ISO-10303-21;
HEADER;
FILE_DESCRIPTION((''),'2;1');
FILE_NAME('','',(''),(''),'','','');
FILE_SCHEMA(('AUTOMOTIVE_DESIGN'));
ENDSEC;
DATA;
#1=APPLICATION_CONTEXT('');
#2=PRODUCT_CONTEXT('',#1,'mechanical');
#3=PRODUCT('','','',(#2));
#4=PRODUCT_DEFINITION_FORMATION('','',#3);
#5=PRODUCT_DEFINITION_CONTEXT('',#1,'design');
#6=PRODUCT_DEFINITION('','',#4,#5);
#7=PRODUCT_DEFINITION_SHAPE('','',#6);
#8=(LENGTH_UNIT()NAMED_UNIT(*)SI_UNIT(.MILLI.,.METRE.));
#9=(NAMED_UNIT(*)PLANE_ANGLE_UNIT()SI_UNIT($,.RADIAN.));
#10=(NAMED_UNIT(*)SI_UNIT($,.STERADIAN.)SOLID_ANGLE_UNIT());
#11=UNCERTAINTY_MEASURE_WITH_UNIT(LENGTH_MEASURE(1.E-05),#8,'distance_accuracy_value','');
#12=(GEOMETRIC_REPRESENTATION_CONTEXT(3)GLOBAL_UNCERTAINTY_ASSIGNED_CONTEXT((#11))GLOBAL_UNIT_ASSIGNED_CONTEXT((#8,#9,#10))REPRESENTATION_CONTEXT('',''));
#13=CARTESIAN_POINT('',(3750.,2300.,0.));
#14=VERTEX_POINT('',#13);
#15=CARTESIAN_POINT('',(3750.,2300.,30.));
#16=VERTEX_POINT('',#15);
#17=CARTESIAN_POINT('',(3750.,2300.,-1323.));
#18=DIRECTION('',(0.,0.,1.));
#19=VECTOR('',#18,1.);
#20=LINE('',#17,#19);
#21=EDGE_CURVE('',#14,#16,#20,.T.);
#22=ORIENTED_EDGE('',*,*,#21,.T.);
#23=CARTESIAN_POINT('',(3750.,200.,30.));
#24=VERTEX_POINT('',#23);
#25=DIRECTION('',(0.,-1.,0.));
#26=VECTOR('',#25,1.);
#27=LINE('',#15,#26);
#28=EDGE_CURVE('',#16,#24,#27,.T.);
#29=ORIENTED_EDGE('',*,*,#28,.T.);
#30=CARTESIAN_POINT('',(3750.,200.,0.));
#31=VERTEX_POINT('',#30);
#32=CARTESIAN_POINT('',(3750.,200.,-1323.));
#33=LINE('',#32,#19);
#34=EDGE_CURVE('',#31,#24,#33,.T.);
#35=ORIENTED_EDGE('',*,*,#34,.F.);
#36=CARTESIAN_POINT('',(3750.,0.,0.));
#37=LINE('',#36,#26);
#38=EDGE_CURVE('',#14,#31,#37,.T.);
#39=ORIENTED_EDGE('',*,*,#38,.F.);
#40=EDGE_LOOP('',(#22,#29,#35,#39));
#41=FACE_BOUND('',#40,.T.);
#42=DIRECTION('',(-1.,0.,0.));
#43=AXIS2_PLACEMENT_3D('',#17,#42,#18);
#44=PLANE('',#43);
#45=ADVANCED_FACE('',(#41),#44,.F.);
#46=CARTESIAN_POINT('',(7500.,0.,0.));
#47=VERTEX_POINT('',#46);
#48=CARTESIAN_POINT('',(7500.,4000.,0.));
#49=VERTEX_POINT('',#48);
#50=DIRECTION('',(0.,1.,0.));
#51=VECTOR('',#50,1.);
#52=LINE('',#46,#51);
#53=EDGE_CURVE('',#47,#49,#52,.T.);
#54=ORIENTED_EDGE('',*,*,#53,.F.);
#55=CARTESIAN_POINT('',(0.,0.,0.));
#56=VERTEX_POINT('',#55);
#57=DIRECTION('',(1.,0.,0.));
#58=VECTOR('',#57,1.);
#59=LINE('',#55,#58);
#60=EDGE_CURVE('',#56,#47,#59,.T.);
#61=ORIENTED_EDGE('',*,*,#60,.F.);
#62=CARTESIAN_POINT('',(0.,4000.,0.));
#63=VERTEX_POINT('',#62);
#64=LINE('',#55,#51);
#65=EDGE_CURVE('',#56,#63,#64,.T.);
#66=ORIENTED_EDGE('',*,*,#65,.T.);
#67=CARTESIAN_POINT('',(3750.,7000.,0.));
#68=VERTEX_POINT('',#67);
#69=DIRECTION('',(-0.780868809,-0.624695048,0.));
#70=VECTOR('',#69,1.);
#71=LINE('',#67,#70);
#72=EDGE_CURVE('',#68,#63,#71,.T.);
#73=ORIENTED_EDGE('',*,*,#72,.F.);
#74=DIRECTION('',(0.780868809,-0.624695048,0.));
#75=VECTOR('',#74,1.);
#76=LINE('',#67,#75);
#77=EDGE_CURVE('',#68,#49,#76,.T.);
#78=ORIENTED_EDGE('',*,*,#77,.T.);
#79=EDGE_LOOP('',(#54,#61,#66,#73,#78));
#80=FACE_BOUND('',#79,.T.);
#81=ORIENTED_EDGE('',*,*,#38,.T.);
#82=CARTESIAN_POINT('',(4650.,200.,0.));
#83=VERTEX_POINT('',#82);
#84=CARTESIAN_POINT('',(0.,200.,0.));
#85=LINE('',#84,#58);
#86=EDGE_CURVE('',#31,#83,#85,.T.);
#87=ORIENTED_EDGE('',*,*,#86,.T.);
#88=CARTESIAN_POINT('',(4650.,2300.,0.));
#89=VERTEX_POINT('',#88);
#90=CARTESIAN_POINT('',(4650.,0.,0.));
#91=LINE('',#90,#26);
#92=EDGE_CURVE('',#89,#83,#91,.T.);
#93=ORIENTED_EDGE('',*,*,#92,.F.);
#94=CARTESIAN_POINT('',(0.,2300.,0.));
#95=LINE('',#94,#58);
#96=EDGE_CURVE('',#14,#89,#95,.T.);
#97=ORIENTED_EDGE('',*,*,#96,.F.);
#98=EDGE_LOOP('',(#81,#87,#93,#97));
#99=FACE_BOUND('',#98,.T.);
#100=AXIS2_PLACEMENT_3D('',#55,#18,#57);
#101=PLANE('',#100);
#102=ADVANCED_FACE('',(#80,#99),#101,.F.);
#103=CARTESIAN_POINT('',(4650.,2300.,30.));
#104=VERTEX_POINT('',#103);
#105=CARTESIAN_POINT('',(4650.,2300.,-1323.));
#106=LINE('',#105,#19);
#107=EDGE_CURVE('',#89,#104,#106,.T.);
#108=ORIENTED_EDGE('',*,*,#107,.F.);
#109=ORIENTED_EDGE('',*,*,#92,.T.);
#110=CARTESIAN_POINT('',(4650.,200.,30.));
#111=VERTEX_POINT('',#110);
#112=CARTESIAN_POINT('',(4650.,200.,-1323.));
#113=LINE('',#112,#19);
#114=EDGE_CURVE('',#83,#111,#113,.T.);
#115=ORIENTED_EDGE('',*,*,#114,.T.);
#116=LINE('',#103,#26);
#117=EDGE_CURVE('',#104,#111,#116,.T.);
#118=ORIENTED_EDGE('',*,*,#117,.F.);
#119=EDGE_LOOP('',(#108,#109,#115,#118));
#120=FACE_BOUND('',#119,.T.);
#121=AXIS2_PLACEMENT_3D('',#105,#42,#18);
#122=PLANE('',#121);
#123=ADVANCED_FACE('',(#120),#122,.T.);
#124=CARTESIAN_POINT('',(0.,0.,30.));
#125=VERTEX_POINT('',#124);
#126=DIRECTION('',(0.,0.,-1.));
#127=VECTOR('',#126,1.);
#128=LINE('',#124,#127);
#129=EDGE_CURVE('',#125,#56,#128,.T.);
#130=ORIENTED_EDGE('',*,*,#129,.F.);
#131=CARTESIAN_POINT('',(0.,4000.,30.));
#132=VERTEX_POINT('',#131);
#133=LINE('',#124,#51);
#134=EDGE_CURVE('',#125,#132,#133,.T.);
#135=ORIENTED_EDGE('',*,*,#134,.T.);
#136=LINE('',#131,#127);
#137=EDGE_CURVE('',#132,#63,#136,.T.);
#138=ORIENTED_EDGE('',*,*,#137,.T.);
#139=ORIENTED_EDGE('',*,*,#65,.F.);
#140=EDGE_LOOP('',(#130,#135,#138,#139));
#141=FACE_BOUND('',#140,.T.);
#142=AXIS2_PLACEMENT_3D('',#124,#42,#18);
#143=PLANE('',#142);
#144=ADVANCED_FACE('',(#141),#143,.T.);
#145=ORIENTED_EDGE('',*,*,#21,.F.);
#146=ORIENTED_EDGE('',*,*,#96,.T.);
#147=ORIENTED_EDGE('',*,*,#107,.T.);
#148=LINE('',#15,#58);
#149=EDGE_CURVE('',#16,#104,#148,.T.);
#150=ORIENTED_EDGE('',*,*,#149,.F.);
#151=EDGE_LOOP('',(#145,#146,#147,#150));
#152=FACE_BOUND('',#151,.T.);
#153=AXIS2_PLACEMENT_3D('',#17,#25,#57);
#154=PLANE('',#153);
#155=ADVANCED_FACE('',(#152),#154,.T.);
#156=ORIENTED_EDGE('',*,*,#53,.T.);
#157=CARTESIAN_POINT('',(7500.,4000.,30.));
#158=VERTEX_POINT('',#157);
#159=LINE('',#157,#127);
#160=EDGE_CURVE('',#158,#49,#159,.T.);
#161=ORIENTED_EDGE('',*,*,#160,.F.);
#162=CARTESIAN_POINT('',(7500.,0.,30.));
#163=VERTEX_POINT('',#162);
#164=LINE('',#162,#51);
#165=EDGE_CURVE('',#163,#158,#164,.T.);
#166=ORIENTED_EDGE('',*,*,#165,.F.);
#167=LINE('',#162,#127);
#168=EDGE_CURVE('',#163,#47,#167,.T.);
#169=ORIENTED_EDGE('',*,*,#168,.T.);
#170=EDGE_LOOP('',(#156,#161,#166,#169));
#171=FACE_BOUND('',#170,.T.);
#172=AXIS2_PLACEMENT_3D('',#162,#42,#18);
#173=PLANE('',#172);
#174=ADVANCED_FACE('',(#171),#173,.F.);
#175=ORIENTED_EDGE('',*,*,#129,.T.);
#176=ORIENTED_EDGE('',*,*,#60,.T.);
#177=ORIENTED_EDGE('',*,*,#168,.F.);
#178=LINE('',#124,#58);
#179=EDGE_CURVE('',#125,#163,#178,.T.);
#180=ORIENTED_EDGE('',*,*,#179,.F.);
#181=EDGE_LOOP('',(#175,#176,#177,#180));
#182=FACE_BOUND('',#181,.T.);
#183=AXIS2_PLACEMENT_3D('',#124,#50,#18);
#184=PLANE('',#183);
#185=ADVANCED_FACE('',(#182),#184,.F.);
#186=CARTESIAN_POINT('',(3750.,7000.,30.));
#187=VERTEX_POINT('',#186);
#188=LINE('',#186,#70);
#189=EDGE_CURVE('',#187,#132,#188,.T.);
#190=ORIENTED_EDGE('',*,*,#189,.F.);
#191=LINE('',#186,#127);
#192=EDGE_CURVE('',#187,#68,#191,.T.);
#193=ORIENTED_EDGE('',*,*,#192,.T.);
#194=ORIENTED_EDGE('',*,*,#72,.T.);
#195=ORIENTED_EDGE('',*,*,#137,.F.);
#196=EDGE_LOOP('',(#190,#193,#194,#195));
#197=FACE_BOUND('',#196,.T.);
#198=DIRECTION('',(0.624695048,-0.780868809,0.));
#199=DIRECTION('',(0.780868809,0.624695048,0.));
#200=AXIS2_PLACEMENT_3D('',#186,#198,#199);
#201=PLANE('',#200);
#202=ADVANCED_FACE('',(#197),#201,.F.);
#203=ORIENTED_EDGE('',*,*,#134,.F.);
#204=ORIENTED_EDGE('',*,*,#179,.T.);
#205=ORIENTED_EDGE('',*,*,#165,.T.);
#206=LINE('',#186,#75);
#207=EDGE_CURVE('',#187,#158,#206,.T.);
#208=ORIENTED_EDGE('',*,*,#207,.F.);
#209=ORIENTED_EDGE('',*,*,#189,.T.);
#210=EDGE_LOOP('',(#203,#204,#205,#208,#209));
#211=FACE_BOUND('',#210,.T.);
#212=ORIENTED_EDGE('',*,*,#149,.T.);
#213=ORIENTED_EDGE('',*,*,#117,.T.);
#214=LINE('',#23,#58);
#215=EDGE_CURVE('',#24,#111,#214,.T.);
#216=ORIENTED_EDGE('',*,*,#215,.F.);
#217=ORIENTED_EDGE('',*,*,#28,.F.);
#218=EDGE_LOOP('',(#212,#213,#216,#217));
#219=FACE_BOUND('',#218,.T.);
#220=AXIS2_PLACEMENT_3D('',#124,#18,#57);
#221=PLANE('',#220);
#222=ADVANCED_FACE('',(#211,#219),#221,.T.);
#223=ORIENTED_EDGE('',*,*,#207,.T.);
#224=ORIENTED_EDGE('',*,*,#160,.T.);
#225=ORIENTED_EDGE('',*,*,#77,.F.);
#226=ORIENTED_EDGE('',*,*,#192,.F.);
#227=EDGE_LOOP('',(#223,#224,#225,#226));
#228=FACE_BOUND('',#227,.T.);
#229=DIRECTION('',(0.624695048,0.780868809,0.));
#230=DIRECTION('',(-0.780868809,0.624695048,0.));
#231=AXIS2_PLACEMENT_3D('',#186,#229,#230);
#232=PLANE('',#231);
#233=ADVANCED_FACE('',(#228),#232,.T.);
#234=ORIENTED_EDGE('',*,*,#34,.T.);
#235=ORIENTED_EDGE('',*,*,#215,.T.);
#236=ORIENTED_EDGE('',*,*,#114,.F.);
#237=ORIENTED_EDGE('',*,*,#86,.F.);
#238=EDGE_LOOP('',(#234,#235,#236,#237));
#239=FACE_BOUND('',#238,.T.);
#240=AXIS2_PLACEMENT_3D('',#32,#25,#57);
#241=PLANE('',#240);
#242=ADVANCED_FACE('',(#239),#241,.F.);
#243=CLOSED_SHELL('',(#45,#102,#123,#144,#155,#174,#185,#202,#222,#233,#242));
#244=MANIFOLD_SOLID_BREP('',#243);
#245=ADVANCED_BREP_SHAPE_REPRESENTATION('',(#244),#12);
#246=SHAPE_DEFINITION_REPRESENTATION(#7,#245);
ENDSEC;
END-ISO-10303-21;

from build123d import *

# Parameters (mm, degrees)
BOSS_EXTRUDE1_DEPTH = 30
SKETCH2_W           = 900
SKETCH2_H           = 2100
CUT_EXTRUDE1_DEPTH  = 1353


with BuildPart() as part:
    # Sketch1 → Boss-Extrude1 (new body)
    with BuildSketch(Plane.XY):
        Polygon((0, 0), (7500, 0), (7500, 4000), (3750, 7000), (0, 4000), align=None)
    extrude(amount=BOSS_EXTRUDE1_DEPTH)

    # Sketch2 → Cut-Extrude1 (cut)
    with BuildSketch(Plane.XY.offset(30)):
        with Locations((4200, 1250)):
            Rectangle(SKETCH2_W, SKETCH2_H)
    extrude(amount=-CUT_EXTRUDE1_DEPTH, mode=Mode.SUBTRACT)


solid = part.part
